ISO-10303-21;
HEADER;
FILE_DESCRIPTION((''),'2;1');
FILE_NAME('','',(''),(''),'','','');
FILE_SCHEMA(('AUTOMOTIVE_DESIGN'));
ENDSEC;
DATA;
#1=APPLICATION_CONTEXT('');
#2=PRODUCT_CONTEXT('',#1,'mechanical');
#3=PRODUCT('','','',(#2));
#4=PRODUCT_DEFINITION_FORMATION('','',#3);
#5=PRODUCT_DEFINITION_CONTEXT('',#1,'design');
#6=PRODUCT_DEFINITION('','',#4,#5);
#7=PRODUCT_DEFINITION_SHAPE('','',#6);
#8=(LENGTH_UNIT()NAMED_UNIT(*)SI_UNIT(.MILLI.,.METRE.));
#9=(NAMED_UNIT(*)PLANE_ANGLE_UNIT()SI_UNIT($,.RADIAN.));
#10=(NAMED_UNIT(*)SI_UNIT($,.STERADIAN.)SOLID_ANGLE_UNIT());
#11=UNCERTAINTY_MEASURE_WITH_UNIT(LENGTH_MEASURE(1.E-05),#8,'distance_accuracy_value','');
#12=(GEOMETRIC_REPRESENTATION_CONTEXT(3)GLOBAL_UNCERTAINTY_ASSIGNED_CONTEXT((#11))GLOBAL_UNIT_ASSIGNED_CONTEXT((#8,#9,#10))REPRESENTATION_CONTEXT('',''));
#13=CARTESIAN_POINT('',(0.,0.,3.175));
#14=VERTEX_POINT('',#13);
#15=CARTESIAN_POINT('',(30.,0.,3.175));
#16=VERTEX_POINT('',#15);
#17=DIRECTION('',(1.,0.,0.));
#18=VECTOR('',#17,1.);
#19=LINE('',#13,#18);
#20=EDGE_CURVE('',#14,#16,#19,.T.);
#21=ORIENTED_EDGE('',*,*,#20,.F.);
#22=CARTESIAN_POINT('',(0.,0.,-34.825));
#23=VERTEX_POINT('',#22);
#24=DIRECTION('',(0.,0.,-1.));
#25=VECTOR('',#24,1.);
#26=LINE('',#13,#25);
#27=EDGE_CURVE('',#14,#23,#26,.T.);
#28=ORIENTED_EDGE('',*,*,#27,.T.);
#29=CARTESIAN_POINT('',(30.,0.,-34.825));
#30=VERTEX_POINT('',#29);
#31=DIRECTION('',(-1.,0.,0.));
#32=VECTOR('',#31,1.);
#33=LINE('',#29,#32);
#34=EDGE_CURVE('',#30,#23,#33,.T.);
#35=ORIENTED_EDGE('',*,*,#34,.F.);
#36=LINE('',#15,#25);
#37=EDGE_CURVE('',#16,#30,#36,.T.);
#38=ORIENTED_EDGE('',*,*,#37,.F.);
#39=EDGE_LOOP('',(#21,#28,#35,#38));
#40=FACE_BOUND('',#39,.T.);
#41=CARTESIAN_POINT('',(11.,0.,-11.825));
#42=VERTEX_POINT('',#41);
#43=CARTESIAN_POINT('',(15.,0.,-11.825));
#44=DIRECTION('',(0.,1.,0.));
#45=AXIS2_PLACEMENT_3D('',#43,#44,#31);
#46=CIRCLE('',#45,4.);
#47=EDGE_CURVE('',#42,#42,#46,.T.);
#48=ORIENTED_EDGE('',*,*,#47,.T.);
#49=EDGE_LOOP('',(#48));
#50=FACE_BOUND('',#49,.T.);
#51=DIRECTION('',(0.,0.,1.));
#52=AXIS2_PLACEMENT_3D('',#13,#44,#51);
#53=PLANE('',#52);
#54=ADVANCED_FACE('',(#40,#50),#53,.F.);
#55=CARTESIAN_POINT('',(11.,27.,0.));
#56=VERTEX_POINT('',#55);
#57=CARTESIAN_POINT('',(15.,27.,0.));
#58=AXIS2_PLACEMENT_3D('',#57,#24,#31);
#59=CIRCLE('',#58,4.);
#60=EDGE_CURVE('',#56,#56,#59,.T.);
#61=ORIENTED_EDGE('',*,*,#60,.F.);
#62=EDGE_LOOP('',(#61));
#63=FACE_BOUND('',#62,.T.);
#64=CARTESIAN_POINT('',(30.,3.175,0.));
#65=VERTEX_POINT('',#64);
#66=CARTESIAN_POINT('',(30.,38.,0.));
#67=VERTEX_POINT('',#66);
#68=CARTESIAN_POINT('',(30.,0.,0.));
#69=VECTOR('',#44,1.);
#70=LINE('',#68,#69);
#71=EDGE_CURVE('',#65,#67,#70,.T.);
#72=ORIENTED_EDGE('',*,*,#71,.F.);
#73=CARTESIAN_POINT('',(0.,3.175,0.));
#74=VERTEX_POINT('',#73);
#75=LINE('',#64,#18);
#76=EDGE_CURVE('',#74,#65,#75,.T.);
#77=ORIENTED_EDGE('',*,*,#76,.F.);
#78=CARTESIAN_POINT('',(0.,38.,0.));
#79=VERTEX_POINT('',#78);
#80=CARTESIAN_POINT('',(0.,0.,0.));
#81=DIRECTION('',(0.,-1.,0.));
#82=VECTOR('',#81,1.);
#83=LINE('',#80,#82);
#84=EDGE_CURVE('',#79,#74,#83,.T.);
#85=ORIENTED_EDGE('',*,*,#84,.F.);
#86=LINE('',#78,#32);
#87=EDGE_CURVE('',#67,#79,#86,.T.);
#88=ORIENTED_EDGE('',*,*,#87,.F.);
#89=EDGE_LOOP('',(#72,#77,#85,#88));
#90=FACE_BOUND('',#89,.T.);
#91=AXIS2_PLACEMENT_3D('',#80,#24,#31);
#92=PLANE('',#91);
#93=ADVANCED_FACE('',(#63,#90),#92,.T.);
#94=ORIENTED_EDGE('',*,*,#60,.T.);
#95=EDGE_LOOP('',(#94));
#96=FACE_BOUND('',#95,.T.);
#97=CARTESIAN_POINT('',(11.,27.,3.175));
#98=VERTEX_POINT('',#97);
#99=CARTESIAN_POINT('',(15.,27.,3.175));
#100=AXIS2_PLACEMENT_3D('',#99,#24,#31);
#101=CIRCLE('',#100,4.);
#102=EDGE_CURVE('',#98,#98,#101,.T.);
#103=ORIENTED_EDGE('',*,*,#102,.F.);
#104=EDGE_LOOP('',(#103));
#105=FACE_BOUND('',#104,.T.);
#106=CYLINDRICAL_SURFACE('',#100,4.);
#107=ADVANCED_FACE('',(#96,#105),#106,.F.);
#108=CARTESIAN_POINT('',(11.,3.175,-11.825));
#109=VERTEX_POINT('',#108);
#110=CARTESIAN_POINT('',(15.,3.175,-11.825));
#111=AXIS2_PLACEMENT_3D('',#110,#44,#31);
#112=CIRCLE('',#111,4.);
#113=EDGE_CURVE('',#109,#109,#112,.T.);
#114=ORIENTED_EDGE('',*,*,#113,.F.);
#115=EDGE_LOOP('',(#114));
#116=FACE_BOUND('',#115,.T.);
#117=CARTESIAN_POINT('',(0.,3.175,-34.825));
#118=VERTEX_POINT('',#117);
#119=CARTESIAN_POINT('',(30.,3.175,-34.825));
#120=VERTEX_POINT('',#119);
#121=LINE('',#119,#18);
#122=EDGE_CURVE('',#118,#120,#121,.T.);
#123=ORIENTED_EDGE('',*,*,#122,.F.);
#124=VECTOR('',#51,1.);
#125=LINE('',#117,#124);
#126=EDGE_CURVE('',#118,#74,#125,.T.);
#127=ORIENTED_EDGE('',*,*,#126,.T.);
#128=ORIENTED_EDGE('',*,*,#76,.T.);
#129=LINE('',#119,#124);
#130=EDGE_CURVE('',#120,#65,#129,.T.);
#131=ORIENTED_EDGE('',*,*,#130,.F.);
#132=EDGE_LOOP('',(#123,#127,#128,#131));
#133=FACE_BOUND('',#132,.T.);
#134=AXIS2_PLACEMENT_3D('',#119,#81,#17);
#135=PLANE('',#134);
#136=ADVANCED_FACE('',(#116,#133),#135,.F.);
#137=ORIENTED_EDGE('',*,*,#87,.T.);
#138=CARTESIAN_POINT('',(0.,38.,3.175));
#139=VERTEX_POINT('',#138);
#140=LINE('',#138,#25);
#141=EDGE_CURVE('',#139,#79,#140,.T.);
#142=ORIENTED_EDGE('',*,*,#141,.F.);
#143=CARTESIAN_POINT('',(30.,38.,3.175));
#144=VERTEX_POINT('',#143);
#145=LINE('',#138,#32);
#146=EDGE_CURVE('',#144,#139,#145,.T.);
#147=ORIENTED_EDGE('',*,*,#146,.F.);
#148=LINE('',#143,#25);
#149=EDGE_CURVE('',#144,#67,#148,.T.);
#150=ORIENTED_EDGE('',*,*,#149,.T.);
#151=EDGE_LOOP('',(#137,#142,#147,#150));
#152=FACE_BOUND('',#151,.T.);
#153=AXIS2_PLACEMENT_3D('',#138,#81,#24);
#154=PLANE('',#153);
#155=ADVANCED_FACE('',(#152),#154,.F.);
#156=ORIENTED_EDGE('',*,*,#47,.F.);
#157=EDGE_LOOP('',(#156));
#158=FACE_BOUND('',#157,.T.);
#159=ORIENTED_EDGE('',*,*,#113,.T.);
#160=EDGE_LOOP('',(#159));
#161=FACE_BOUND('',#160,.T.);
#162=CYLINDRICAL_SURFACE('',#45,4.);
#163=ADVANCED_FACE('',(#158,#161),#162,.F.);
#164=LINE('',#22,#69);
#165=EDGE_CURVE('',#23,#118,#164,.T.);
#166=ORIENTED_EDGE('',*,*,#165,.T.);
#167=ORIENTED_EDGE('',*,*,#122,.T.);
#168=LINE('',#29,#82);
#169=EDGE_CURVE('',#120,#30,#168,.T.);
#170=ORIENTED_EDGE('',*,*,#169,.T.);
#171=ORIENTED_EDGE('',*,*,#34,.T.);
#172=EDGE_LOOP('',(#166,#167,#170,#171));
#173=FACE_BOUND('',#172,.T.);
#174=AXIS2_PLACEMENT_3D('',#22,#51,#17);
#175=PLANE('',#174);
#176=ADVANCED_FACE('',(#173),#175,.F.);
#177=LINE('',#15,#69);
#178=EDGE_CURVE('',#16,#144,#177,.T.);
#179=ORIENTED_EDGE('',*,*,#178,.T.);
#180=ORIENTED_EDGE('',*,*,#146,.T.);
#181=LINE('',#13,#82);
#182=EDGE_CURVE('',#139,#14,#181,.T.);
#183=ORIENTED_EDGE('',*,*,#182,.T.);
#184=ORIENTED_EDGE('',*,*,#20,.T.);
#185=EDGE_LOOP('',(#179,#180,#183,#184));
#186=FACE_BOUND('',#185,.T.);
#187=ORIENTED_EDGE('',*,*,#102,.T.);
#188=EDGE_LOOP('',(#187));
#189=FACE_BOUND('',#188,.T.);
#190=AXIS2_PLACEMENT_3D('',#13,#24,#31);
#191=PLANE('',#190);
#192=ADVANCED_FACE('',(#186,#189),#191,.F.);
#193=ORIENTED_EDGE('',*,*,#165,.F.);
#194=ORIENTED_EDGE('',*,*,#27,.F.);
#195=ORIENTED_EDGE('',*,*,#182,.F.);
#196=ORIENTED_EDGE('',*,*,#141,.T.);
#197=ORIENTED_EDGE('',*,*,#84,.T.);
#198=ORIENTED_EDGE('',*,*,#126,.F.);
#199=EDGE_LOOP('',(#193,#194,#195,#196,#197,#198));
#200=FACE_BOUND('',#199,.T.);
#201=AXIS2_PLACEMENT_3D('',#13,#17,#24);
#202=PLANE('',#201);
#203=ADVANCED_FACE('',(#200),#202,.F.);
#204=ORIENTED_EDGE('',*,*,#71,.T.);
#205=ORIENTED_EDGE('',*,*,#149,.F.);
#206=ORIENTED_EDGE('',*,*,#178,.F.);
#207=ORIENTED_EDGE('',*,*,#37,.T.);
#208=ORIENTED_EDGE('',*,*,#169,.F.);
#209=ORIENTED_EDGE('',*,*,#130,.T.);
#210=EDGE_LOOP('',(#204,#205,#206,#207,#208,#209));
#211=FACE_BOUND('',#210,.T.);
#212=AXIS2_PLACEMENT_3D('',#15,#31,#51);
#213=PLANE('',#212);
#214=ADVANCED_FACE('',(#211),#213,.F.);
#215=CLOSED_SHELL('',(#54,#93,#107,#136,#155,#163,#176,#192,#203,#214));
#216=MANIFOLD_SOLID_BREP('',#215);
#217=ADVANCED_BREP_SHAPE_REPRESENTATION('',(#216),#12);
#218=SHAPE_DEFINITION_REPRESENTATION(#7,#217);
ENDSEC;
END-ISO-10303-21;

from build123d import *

# Parameters (mm, degrees)
SKETCH1_W           = 30
SKETCH1_H           = 38
BOSS_EXTRUDE1_DEPTH = 3.175
SKETCH2_W           = 30
SKETCH2_H           = 3.175
BOSS_EXTRUDE2_DEPTH = 34.825
SKETCH3_R           = 4
CUT_EXTRUDE1_DEPTH  = 60.638751035
SKETCH4_R           = 4
CUT_EXTRUDE2_DEPTH  = 58.667679423


with BuildPart() as part:
    # Sketch1 → Boss-Extrude1 (new body)
    with BuildSketch(Plane.XY):
        with Locations((15, 19)):
            Rectangle(SKETCH1_W, SKETCH1_H)
    extrude(amount=BOSS_EXTRUDE1_DEPTH)

    # Sketch2 → Boss-Extrude2 (add)
    with BuildSketch(Plane(origin=(0, 0, 0), x_dir=(-1, 0, 0), z_dir=(0, 0, -1))):
        with Locations((-15, 1.5875)):
            Rectangle(SKETCH2_W, SKETCH2_H)
    extrude(amount=BOSS_EXTRUDE2_DEPTH)

    # Sketch3 → Cut-Extrude1 (cut, through all)
    with BuildSketch(Plane(origin=(0, 0, 0), x_dir=(-1, 0, 0), z_dir=(0, 0, -1))):
        with Locations((-15, 27)):
            Circle(SKETCH3_R)
    extrude(amount=-CUT_EXTRUDE1_DEPTH, mode=Mode.SUBTRACT)

    # Sketch4 → Cut-Extrude2 (cut, through all)
    with BuildSketch(Plane(origin=(0, 3.175, 0), x_dir=(1, 0, 0), z_dir=(0, 1, 0))):
        with Locations(Location((15, 11.825, 0), (0, 0, 180))):
            Circle(SKETCH4_R)
    extrude(amount=-CUT_EXTRUDE2_DEPTH, mode=Mode.SUBTRACT)


solid = part.part
